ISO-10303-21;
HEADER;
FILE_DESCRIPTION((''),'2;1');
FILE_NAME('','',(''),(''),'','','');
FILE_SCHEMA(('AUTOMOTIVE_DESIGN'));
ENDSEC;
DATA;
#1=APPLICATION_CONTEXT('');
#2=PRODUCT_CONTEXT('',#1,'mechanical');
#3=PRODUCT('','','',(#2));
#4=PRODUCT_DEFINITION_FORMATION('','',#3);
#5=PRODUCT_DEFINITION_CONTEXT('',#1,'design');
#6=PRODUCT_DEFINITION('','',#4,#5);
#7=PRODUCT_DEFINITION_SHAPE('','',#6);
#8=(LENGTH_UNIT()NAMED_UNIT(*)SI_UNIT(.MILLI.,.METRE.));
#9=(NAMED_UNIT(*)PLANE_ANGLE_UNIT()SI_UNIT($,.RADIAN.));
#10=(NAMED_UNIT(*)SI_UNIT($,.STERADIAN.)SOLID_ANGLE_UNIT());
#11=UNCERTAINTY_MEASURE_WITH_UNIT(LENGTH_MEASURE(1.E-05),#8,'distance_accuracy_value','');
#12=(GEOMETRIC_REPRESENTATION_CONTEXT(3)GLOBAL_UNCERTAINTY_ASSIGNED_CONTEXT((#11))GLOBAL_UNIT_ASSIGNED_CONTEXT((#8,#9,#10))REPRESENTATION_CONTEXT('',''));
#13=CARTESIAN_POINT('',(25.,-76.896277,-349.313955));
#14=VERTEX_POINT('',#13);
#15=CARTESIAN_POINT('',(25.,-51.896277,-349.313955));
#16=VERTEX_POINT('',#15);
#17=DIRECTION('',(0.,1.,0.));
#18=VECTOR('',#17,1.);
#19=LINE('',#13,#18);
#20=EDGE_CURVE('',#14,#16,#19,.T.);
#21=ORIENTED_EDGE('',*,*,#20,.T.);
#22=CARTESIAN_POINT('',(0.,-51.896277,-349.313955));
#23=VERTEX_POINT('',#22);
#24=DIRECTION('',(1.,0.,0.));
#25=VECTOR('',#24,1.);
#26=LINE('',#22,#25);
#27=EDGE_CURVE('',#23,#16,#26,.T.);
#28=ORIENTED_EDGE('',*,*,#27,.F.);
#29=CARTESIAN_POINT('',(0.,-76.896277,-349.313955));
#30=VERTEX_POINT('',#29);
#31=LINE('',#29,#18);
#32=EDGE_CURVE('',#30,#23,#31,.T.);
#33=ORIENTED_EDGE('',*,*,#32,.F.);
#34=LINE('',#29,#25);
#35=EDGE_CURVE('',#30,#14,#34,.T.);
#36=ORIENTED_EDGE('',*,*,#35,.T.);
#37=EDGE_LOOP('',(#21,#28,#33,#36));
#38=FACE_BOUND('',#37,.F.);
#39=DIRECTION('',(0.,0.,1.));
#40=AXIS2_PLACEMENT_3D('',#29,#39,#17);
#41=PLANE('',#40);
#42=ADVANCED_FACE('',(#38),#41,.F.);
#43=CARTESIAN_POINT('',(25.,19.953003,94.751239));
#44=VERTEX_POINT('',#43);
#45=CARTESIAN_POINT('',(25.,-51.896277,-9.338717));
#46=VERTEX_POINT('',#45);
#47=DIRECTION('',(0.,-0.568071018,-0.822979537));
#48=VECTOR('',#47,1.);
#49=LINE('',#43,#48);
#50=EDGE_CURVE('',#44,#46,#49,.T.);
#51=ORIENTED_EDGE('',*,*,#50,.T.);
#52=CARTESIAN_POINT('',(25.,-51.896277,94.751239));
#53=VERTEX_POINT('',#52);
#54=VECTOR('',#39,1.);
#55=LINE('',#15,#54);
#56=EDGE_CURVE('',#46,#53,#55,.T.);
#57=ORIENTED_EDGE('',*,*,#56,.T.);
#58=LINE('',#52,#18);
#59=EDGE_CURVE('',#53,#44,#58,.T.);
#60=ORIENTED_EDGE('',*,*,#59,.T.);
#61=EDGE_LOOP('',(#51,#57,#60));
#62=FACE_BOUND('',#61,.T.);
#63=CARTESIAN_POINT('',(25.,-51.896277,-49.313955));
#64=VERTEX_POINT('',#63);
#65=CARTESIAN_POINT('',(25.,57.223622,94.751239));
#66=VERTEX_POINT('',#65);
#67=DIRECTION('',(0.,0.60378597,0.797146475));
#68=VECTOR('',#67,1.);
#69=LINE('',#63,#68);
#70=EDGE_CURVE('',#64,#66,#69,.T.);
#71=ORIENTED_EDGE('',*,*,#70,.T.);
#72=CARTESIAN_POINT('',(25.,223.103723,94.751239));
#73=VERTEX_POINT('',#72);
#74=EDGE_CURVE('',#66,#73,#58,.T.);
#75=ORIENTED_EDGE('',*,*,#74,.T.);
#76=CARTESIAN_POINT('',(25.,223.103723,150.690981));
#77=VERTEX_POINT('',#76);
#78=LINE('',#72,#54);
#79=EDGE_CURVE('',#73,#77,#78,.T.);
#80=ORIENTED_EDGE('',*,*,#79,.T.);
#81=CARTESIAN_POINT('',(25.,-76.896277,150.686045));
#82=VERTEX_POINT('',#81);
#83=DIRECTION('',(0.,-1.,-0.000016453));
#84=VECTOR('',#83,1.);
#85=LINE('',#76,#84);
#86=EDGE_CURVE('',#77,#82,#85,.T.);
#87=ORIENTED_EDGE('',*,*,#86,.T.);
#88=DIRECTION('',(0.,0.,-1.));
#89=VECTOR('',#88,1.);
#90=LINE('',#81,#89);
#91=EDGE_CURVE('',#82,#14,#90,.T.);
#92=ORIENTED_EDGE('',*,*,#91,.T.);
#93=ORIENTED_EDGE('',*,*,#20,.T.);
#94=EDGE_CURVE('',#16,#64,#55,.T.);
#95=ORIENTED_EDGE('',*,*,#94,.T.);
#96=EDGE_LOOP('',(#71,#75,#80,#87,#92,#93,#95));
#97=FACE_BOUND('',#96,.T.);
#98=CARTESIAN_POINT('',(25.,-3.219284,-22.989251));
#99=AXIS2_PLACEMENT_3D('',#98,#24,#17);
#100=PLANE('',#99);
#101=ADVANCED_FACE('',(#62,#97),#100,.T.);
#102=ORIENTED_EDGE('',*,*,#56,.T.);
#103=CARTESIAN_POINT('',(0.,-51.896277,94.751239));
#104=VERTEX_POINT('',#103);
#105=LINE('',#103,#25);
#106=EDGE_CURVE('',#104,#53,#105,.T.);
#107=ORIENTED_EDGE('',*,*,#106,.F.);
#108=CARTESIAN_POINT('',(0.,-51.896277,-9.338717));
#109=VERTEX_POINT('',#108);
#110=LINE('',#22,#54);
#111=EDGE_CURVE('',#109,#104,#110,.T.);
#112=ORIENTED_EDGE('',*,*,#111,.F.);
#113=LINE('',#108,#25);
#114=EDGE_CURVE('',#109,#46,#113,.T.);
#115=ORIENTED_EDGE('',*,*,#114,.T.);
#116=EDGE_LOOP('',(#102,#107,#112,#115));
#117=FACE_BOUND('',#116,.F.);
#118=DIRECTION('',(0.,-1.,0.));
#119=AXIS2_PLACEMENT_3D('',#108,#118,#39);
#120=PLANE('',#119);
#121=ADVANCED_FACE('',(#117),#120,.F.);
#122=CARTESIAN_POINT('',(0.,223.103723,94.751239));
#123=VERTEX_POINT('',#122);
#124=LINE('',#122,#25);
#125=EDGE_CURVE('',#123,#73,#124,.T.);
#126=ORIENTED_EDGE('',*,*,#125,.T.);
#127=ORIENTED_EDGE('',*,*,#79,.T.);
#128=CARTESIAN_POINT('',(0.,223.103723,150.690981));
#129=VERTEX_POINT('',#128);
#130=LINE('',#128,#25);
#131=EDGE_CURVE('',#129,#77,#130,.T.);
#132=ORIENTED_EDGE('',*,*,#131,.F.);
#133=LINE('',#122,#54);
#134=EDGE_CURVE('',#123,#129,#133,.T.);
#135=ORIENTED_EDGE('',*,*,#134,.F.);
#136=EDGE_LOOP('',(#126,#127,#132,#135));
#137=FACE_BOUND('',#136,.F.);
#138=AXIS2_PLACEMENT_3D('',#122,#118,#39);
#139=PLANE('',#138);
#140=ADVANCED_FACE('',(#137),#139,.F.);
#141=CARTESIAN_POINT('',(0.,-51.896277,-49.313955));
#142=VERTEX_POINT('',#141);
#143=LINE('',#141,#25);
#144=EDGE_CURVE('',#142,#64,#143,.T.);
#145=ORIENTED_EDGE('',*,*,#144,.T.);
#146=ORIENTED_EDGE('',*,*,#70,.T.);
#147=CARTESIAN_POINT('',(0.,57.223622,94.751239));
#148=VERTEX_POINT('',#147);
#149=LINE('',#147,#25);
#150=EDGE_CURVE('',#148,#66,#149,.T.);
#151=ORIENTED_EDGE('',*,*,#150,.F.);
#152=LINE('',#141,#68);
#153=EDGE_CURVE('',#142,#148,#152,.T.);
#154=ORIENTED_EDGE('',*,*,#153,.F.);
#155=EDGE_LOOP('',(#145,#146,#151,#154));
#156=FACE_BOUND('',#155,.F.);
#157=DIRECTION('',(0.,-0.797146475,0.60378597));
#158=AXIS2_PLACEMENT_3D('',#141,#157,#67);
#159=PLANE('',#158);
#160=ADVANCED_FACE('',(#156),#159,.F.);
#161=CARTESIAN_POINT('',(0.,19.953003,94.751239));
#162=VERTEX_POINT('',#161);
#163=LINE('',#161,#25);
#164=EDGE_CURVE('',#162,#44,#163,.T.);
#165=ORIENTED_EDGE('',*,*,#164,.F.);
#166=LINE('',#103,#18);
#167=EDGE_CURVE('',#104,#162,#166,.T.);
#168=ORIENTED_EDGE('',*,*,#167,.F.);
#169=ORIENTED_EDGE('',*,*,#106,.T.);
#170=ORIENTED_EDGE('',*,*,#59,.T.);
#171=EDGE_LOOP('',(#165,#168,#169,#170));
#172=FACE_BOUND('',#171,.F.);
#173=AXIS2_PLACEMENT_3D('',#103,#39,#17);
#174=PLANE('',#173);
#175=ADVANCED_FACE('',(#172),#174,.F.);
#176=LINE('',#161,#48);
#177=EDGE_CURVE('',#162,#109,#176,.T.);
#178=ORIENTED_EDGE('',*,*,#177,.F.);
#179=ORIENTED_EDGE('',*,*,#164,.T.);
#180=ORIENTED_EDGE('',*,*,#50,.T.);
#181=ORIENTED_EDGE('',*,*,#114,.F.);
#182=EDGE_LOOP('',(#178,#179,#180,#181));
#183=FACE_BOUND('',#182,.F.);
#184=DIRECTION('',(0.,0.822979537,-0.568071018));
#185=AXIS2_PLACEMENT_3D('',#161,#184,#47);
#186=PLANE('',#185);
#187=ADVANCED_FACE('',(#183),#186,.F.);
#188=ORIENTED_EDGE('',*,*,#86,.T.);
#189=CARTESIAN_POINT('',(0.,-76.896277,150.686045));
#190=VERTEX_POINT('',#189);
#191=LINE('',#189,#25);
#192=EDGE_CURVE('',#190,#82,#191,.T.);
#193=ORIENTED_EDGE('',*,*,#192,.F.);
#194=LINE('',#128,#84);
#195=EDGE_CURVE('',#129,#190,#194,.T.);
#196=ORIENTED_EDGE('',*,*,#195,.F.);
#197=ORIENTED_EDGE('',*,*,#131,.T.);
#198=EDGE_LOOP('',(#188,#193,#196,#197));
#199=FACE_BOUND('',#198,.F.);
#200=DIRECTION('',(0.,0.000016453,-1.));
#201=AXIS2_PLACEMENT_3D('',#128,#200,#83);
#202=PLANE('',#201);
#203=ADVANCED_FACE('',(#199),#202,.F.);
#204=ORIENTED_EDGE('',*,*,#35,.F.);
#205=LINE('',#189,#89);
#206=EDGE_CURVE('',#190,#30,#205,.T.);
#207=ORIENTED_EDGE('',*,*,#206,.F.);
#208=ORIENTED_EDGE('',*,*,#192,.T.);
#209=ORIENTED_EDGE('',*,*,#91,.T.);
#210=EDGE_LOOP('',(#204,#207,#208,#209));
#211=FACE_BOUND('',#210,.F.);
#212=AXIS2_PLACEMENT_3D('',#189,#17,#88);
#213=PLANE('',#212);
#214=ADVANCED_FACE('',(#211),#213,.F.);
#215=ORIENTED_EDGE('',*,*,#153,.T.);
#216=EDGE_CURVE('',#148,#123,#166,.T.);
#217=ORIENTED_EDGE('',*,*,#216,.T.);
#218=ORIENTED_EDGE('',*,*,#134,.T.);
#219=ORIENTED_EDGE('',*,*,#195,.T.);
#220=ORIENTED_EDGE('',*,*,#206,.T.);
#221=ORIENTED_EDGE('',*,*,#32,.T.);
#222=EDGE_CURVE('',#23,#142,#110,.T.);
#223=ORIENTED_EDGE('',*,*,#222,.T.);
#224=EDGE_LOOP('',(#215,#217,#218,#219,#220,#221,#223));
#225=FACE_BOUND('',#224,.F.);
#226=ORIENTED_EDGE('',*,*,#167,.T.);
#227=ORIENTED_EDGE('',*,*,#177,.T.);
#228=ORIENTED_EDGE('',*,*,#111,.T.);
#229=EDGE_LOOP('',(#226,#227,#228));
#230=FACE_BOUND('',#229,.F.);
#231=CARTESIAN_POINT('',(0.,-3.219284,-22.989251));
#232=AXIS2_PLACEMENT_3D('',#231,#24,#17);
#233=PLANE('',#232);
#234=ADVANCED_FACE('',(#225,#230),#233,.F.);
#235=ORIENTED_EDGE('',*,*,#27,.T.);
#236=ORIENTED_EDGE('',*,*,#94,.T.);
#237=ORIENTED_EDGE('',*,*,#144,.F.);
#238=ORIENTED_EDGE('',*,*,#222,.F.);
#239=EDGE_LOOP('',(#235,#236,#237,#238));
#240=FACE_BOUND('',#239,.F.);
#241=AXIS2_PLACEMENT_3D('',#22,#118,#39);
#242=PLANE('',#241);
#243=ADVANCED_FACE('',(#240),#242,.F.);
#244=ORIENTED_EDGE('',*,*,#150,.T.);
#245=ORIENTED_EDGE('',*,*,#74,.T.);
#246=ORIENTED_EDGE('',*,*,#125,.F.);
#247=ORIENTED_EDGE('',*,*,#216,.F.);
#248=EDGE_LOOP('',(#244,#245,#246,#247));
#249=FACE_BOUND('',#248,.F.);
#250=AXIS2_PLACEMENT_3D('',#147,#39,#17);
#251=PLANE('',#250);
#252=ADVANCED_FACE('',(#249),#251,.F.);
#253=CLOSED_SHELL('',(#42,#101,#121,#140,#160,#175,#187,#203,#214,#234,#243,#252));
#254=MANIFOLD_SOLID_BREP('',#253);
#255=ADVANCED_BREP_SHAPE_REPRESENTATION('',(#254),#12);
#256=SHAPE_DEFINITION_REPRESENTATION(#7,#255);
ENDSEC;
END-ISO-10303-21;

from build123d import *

# Parameters (mm, degrees)
F1_DEPTH = 25


with BuildPart() as f1:
    # F0 (on Right) → F1 (new body)
    with BuildSketch(Plane.YZ):
        Polygon((-76.896277, 150.686045), (-76.896277, -349.313955), (-51.896277, -349.313955), (-51.896277, -49.313955), (-51.896277, -9.338717), (-51.896277, 94.751239), (19.953003, 94.751239), (57.223622, 94.751239), (223.103723, 94.751239), (223.103723, 150.690981), align=None)
        Polygon((-51.896277, -9.338717), (-51.896277, -49.313955), (57.223622, 94.751239), (19.953003, 94.751239), align=None)
    extrude(amount=F1_DEPTH)


solid = f1.part
